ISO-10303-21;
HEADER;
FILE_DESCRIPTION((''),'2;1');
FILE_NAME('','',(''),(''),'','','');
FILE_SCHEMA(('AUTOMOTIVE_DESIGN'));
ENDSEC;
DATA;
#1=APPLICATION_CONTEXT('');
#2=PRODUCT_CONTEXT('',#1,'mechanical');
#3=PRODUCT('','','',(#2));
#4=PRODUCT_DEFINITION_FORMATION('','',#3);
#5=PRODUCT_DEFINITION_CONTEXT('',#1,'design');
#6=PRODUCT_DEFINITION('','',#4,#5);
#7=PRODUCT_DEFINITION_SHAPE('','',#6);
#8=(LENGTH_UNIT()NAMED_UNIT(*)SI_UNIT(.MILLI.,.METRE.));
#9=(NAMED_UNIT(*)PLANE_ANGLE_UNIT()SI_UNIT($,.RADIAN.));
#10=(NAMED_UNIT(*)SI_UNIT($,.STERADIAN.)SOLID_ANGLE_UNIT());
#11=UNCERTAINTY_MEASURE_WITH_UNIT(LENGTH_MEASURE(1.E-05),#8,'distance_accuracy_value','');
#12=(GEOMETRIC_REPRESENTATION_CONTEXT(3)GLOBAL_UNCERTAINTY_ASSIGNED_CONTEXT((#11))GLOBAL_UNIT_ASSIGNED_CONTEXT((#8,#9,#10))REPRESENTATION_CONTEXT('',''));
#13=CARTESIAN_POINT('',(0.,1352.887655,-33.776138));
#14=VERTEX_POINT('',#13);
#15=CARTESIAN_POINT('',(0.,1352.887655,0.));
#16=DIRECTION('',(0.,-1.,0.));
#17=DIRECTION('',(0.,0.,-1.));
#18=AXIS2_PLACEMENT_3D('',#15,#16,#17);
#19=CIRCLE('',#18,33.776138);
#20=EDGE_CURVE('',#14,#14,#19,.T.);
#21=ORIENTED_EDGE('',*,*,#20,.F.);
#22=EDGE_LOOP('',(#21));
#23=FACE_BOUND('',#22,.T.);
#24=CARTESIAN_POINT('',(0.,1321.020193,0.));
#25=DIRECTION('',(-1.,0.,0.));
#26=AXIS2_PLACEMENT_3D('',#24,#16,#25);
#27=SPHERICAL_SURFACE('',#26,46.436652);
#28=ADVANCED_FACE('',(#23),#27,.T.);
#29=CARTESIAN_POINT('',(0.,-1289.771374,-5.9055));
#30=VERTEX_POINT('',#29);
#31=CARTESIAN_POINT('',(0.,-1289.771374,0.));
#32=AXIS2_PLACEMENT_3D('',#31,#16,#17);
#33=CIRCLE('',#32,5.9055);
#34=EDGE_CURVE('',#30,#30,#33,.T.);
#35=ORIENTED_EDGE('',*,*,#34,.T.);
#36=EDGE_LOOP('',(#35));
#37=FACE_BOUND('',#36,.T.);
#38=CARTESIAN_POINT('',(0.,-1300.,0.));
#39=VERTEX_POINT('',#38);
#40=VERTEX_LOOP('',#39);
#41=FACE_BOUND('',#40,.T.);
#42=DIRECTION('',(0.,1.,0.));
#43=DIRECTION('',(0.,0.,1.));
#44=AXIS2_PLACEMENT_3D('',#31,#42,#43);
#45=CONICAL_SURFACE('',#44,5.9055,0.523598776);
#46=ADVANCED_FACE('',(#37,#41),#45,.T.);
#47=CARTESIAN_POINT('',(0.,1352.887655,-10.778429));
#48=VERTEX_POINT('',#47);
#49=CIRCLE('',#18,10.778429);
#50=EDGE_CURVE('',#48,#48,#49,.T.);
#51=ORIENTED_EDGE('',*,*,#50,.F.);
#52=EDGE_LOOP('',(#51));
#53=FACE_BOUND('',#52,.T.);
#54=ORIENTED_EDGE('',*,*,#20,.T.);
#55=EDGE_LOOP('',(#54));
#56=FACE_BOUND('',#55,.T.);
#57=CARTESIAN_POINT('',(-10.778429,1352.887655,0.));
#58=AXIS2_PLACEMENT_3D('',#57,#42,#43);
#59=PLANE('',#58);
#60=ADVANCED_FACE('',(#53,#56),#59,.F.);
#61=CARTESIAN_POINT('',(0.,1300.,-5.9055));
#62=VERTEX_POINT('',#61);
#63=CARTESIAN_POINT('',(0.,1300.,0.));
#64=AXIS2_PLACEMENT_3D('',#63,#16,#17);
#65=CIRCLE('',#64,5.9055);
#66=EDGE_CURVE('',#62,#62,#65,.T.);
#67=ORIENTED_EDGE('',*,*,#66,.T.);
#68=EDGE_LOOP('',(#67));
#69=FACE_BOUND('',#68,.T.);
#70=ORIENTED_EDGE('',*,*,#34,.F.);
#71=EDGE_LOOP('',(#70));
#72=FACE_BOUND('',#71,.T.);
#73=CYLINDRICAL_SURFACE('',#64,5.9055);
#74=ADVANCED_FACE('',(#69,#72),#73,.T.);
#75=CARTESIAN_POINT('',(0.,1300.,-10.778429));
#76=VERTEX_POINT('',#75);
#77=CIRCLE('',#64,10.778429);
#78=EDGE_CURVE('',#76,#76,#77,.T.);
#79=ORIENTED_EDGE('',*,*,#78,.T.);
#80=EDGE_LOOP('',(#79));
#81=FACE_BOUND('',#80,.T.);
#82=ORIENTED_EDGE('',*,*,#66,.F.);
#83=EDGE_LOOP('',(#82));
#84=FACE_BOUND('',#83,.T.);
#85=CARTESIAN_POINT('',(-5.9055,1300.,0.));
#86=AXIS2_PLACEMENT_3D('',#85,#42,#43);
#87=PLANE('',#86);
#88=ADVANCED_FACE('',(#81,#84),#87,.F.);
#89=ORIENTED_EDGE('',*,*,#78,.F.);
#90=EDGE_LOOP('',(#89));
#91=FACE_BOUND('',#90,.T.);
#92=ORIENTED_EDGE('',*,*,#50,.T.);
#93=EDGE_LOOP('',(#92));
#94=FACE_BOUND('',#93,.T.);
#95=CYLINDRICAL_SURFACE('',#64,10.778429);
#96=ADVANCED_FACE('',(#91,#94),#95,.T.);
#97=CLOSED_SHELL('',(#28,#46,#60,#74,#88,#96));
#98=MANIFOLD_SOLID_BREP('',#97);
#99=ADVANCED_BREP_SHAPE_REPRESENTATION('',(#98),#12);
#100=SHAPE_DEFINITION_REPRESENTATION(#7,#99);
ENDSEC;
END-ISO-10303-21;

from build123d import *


with BuildPart() as part:
    # Sketch1 → Revolve1 (revolve)
    with BuildSketch(Plane.XY, mode=Mode.PRIVATE) as revolve1_sk:
        with BuildLine():
            Line((-5.9055, 1300), (-5.9055, -1289.771373956))
            Line((-5.9055, -1289.771373956), (0, -1300))
            Line((0, -1300), (0, 1300))
            Line((0, 1300), (0, 1367.456844549))
            ThreePointArc((0, 1367.456844549), (-18.39217744, 1363.659264489), (-33.776137717, 1352.887654978))
            Line((-33.776137717, 1352.887654978), (-10.77842937, 1352.887654978))
            Line((-10.77842937, 1352.887654978), (-10.77842937, 1300))
            Line((-10.77842937, 1300), (-5.9055, 1300))
        make_face()
    revolve(revolve1_sk.sketch.rotate(Axis((0, 1300, 0), (0, 1, 0)), 270), axis=Axis((0, 1300, 0), (0, 1, 0)))


solid = part.part
